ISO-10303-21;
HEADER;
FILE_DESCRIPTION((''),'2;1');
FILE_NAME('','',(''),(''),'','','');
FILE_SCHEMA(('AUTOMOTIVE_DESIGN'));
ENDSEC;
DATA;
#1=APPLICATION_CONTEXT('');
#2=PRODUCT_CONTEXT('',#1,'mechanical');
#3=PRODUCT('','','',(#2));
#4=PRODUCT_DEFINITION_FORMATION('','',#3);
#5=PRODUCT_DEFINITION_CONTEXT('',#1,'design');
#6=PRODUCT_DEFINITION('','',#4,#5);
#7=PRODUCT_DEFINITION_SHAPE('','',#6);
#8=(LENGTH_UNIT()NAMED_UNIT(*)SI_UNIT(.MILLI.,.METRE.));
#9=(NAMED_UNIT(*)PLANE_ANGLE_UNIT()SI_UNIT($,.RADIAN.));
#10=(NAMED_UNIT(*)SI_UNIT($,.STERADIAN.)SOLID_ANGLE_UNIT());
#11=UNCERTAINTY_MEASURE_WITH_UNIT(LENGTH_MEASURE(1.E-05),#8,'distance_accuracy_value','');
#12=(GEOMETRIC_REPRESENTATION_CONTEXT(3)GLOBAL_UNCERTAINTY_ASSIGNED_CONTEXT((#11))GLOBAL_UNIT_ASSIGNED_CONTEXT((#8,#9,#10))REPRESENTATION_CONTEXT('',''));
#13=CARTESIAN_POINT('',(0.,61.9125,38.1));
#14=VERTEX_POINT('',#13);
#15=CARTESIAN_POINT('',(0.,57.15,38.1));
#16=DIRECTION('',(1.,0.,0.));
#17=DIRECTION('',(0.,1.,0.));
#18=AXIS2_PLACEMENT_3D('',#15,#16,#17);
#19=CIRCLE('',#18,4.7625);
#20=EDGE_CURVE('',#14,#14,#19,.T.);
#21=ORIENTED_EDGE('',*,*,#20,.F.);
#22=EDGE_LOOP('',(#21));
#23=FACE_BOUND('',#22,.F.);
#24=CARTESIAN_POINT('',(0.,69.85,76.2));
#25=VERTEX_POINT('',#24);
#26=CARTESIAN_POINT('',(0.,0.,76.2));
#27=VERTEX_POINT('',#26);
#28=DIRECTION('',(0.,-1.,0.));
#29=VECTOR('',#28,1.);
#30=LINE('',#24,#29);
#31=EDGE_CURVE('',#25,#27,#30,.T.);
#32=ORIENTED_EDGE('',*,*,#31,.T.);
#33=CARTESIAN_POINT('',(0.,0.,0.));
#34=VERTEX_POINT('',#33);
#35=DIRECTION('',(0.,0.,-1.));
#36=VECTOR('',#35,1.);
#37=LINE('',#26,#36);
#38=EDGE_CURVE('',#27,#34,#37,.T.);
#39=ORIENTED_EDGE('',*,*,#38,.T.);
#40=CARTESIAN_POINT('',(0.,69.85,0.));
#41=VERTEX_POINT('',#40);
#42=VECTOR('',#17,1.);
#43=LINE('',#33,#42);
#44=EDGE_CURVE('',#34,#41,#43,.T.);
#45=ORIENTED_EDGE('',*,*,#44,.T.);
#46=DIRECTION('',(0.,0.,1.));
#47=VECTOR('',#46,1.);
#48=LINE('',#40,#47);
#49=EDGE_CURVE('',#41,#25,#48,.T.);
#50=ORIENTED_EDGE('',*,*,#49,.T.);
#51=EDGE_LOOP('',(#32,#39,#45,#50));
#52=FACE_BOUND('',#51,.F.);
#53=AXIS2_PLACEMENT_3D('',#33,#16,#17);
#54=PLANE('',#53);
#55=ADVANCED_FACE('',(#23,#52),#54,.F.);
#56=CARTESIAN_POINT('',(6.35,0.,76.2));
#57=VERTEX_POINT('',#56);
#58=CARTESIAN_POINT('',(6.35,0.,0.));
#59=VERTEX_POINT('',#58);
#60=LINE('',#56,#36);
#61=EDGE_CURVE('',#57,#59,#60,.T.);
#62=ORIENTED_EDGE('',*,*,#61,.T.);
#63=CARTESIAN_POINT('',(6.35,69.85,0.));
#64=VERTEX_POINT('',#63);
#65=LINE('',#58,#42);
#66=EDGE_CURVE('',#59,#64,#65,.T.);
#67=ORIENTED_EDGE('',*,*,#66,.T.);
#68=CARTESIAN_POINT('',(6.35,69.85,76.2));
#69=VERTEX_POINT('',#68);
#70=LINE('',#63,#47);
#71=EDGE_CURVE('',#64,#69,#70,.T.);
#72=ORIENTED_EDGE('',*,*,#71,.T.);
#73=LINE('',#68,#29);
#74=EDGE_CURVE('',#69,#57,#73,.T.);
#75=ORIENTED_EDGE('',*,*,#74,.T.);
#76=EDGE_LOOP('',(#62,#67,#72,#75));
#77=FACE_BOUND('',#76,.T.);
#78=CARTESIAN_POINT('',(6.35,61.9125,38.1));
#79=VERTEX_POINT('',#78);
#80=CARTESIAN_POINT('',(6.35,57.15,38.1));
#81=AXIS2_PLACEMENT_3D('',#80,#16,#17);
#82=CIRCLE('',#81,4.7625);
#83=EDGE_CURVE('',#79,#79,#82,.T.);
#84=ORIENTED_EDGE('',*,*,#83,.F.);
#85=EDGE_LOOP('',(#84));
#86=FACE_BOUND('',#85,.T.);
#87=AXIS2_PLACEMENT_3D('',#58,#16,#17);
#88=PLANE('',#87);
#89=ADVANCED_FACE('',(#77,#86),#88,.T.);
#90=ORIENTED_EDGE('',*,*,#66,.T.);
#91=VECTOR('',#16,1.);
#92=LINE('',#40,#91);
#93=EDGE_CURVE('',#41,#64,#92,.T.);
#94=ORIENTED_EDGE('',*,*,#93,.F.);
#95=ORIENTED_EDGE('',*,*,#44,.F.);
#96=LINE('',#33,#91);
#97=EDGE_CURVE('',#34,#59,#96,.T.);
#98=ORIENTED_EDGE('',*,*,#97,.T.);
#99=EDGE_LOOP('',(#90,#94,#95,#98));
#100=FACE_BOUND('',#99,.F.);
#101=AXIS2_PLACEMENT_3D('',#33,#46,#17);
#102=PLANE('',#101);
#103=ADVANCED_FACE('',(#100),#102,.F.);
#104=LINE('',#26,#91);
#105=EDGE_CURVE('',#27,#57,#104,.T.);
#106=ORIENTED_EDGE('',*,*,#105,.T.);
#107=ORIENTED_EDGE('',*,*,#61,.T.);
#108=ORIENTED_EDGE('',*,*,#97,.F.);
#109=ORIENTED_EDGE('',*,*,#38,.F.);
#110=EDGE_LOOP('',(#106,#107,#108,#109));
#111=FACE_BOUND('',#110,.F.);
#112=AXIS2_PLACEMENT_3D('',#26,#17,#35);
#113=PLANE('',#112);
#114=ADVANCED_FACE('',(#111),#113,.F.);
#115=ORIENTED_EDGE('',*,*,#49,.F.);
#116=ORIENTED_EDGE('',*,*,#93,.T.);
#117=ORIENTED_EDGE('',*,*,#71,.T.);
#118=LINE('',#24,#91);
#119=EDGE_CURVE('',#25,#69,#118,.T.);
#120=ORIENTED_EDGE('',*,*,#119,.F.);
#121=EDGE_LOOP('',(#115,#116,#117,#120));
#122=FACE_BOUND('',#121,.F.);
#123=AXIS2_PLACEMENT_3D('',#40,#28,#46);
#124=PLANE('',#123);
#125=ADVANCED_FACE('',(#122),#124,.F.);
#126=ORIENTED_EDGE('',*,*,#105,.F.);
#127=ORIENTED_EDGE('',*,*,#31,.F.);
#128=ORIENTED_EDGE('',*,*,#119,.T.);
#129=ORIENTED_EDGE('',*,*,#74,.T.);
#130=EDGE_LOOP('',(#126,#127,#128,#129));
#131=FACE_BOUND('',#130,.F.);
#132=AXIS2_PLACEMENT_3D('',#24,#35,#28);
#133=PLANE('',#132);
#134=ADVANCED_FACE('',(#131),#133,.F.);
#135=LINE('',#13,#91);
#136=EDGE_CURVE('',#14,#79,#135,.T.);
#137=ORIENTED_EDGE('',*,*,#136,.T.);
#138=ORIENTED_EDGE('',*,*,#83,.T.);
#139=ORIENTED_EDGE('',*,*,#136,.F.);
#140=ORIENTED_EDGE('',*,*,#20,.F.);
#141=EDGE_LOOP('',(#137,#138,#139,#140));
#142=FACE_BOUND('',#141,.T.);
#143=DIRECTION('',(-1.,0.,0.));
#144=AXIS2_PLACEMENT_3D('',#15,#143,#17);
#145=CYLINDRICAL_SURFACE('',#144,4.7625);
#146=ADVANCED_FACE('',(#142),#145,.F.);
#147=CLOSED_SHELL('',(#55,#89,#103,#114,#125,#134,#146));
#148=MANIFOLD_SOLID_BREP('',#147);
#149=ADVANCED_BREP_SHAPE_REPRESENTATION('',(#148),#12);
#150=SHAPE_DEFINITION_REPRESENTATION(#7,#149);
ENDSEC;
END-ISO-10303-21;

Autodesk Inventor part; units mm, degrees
ref_plane "YZ Plane" through (0, 0, 0) normal (1, 0, 0) x (0, 1, 0)
ref_plane "XZ Plane" through (0, 0, 0) normal (0, 1, 0) x (-1, 0, 0)
ref_plane "XY Plane" through (0, 0, 0) normal (0, 0, 1) x (1, 0, 0)
sketch "Sketch1" plane through (0, 0, 0) normal (1, 0, 0) x (0, 1, 0)
  line L0 (0, 0) -> (69.85, 0)
  line L1 (69.85, 0) -> (69.85, 76.2)
  line L2 (69.85, 76.2) -> (0, 76.2)
  line L3 (0, 76.2) -> (0, 0)
  circle A0 centre (57.15, 38.1) radius 4.7625
  dimension "d0" = 76.2
  dimension "d1" = 69.85
  dimension "d2" = 38.1
  dimension "d3" = 9.525
  dimension "d4" = 12.7
extrude "Extrusion1" add sketch "Sketch1" along normal blind 6.35
properties part number "RollerMountRepresentation"
